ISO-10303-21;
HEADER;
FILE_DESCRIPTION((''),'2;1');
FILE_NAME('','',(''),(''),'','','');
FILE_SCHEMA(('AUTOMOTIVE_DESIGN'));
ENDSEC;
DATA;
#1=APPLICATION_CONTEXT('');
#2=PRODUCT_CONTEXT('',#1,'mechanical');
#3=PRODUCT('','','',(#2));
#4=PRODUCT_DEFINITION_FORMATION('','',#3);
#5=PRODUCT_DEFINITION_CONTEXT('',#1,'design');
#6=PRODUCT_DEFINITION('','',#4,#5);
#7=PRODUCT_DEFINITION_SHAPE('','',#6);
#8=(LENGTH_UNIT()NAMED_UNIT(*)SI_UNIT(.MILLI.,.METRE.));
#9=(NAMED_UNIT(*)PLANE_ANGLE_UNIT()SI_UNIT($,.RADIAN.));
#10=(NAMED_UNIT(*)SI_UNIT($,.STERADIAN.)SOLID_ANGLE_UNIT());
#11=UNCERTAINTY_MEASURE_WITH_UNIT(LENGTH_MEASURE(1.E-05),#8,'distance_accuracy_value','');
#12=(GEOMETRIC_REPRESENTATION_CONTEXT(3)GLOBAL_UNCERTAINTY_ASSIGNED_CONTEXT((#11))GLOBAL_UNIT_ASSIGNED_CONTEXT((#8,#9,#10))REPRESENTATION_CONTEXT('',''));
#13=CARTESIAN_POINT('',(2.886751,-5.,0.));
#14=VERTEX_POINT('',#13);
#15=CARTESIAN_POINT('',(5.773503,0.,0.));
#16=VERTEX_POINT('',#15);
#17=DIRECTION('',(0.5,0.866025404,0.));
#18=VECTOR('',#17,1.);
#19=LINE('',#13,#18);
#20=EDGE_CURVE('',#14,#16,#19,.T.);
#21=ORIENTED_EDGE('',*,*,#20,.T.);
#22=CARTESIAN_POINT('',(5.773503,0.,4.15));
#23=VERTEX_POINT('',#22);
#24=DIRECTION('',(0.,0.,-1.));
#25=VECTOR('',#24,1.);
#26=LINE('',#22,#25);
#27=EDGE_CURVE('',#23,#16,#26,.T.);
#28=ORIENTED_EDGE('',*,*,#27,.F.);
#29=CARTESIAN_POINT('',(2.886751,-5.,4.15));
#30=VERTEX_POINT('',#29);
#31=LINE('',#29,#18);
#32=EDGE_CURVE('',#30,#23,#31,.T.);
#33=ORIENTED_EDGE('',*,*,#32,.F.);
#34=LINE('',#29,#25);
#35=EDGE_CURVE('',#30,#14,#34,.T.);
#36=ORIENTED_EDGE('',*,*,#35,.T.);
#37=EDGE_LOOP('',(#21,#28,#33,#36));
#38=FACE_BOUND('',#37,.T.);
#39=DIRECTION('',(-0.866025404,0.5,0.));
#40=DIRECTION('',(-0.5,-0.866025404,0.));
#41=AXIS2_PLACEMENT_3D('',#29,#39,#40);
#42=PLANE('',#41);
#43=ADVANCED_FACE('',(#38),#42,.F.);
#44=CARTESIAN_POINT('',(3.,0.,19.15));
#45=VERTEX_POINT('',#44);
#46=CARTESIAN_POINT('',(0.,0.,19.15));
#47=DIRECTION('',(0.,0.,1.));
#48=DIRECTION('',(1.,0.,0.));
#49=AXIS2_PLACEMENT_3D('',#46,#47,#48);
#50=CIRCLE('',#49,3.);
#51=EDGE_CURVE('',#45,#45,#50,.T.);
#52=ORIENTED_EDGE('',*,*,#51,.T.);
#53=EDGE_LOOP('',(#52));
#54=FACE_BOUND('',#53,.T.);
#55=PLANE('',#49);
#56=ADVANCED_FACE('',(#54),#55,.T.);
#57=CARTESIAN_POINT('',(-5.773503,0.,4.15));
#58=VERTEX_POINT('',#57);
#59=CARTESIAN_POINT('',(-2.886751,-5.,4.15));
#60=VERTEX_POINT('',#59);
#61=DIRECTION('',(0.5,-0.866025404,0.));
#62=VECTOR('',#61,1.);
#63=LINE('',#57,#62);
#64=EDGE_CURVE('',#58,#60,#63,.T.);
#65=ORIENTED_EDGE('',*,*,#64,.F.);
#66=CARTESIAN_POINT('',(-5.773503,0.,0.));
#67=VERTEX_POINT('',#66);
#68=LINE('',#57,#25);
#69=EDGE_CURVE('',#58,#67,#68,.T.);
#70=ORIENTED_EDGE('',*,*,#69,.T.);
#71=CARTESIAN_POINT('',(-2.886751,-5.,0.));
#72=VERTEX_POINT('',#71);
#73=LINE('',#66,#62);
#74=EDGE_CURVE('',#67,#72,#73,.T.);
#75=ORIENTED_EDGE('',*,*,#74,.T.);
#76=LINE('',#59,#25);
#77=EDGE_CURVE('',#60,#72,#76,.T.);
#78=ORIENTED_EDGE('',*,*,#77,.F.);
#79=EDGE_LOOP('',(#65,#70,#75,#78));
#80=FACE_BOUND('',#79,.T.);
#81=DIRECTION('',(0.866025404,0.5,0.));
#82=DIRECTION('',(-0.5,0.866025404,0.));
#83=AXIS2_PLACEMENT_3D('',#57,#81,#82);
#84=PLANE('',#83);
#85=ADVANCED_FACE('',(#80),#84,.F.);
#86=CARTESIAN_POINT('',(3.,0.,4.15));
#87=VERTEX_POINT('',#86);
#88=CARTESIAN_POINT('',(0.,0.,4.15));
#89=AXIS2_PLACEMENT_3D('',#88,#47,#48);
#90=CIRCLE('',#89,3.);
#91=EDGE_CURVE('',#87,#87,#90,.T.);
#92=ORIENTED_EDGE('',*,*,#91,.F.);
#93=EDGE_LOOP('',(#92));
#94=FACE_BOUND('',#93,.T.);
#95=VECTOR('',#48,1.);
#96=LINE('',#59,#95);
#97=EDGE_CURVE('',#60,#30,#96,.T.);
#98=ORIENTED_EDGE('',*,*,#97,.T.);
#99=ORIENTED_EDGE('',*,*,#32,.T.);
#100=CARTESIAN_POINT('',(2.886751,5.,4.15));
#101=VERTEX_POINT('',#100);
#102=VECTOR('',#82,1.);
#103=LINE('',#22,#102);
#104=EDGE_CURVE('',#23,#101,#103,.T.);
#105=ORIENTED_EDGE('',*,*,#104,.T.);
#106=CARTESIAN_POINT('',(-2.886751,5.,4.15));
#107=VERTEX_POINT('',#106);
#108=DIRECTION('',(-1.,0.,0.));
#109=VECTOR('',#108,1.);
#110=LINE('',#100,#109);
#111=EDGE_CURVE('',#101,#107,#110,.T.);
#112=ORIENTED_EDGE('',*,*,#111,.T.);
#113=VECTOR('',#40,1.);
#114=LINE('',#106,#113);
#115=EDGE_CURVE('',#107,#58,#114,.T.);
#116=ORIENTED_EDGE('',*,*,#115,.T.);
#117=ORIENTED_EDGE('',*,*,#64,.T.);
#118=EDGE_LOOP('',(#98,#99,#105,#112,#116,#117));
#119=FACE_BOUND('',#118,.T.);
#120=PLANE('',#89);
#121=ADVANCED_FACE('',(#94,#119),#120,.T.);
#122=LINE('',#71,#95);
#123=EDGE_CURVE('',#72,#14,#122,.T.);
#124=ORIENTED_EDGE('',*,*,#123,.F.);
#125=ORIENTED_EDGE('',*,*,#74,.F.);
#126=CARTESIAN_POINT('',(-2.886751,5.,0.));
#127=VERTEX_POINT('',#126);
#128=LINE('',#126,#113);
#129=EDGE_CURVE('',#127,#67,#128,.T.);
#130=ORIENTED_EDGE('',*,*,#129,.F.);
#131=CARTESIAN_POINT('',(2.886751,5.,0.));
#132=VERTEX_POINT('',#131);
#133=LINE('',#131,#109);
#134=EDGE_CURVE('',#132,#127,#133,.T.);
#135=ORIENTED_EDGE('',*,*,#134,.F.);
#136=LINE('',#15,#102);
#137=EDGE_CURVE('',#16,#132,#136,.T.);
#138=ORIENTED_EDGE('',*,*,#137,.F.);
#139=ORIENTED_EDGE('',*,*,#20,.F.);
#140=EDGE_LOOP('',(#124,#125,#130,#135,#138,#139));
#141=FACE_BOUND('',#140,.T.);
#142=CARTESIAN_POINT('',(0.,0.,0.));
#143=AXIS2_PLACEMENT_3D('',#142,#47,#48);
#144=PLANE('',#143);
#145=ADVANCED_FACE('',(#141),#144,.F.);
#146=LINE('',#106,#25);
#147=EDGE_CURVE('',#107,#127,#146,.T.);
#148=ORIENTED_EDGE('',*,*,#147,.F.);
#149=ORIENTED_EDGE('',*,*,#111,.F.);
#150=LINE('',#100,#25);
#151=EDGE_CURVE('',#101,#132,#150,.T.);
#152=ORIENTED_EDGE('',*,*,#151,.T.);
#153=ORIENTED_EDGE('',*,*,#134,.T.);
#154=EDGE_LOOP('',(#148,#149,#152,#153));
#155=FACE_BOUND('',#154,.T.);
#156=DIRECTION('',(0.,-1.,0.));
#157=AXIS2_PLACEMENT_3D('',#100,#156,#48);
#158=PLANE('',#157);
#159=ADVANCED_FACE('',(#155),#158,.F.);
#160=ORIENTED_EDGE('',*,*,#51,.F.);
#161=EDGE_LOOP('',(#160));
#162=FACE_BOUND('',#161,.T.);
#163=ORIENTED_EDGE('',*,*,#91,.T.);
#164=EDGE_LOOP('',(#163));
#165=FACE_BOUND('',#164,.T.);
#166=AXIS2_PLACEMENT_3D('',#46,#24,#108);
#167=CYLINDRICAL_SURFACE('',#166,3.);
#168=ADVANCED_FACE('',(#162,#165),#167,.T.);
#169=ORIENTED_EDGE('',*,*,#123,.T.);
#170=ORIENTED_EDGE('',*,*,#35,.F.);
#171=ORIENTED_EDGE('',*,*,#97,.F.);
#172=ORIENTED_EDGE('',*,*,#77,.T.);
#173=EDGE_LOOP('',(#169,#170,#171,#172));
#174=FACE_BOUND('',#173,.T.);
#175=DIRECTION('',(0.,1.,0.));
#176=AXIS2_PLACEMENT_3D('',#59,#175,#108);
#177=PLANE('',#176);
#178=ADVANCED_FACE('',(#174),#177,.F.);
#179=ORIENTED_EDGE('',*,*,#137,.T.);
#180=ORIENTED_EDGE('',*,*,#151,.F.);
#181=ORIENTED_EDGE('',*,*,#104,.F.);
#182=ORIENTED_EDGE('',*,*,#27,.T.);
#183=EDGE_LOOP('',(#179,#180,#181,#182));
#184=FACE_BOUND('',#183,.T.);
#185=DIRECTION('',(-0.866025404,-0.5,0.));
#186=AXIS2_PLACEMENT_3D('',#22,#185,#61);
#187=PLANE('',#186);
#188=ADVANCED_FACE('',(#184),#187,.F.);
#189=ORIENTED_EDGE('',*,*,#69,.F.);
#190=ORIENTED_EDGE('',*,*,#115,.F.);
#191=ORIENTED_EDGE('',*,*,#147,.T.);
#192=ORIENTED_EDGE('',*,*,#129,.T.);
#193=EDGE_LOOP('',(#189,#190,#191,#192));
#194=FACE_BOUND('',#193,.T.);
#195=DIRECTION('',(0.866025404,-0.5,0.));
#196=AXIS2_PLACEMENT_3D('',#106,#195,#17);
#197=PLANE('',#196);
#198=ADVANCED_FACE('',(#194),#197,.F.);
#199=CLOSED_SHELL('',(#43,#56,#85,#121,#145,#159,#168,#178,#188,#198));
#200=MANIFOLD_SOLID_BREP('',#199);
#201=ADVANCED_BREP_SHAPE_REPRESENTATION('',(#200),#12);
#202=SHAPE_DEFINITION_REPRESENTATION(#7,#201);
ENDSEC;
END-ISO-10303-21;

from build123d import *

# Parameters (mm, degrees)
BOSS_EXTRUDE1_DEPTH = 4.15
SKETCH2_R           = 3
BOSS_EXTRUDE2_DEPTH = 15


with BuildPart() as part:
    # Sketch1 → Boss-Extrude1 (new body)
    with BuildSketch(Plane.XY):
        Polygon((-2.886751346, 5), (-5.773502692, 0), (-2.886751346, -5), (2.886751346, -5), (5.773502692, 0), (2.886751346, 5), align=None)
    extrude(amount=BOSS_EXTRUDE1_DEPTH)

    # Sketch2 → Boss-Extrude2 (add)
    with BuildSketch(Plane.XY.offset(4.15)):
        Circle(SKETCH2_R)
    extrude(amount=BOSS_EXTRUDE2_DEPTH)


solid = part.part
